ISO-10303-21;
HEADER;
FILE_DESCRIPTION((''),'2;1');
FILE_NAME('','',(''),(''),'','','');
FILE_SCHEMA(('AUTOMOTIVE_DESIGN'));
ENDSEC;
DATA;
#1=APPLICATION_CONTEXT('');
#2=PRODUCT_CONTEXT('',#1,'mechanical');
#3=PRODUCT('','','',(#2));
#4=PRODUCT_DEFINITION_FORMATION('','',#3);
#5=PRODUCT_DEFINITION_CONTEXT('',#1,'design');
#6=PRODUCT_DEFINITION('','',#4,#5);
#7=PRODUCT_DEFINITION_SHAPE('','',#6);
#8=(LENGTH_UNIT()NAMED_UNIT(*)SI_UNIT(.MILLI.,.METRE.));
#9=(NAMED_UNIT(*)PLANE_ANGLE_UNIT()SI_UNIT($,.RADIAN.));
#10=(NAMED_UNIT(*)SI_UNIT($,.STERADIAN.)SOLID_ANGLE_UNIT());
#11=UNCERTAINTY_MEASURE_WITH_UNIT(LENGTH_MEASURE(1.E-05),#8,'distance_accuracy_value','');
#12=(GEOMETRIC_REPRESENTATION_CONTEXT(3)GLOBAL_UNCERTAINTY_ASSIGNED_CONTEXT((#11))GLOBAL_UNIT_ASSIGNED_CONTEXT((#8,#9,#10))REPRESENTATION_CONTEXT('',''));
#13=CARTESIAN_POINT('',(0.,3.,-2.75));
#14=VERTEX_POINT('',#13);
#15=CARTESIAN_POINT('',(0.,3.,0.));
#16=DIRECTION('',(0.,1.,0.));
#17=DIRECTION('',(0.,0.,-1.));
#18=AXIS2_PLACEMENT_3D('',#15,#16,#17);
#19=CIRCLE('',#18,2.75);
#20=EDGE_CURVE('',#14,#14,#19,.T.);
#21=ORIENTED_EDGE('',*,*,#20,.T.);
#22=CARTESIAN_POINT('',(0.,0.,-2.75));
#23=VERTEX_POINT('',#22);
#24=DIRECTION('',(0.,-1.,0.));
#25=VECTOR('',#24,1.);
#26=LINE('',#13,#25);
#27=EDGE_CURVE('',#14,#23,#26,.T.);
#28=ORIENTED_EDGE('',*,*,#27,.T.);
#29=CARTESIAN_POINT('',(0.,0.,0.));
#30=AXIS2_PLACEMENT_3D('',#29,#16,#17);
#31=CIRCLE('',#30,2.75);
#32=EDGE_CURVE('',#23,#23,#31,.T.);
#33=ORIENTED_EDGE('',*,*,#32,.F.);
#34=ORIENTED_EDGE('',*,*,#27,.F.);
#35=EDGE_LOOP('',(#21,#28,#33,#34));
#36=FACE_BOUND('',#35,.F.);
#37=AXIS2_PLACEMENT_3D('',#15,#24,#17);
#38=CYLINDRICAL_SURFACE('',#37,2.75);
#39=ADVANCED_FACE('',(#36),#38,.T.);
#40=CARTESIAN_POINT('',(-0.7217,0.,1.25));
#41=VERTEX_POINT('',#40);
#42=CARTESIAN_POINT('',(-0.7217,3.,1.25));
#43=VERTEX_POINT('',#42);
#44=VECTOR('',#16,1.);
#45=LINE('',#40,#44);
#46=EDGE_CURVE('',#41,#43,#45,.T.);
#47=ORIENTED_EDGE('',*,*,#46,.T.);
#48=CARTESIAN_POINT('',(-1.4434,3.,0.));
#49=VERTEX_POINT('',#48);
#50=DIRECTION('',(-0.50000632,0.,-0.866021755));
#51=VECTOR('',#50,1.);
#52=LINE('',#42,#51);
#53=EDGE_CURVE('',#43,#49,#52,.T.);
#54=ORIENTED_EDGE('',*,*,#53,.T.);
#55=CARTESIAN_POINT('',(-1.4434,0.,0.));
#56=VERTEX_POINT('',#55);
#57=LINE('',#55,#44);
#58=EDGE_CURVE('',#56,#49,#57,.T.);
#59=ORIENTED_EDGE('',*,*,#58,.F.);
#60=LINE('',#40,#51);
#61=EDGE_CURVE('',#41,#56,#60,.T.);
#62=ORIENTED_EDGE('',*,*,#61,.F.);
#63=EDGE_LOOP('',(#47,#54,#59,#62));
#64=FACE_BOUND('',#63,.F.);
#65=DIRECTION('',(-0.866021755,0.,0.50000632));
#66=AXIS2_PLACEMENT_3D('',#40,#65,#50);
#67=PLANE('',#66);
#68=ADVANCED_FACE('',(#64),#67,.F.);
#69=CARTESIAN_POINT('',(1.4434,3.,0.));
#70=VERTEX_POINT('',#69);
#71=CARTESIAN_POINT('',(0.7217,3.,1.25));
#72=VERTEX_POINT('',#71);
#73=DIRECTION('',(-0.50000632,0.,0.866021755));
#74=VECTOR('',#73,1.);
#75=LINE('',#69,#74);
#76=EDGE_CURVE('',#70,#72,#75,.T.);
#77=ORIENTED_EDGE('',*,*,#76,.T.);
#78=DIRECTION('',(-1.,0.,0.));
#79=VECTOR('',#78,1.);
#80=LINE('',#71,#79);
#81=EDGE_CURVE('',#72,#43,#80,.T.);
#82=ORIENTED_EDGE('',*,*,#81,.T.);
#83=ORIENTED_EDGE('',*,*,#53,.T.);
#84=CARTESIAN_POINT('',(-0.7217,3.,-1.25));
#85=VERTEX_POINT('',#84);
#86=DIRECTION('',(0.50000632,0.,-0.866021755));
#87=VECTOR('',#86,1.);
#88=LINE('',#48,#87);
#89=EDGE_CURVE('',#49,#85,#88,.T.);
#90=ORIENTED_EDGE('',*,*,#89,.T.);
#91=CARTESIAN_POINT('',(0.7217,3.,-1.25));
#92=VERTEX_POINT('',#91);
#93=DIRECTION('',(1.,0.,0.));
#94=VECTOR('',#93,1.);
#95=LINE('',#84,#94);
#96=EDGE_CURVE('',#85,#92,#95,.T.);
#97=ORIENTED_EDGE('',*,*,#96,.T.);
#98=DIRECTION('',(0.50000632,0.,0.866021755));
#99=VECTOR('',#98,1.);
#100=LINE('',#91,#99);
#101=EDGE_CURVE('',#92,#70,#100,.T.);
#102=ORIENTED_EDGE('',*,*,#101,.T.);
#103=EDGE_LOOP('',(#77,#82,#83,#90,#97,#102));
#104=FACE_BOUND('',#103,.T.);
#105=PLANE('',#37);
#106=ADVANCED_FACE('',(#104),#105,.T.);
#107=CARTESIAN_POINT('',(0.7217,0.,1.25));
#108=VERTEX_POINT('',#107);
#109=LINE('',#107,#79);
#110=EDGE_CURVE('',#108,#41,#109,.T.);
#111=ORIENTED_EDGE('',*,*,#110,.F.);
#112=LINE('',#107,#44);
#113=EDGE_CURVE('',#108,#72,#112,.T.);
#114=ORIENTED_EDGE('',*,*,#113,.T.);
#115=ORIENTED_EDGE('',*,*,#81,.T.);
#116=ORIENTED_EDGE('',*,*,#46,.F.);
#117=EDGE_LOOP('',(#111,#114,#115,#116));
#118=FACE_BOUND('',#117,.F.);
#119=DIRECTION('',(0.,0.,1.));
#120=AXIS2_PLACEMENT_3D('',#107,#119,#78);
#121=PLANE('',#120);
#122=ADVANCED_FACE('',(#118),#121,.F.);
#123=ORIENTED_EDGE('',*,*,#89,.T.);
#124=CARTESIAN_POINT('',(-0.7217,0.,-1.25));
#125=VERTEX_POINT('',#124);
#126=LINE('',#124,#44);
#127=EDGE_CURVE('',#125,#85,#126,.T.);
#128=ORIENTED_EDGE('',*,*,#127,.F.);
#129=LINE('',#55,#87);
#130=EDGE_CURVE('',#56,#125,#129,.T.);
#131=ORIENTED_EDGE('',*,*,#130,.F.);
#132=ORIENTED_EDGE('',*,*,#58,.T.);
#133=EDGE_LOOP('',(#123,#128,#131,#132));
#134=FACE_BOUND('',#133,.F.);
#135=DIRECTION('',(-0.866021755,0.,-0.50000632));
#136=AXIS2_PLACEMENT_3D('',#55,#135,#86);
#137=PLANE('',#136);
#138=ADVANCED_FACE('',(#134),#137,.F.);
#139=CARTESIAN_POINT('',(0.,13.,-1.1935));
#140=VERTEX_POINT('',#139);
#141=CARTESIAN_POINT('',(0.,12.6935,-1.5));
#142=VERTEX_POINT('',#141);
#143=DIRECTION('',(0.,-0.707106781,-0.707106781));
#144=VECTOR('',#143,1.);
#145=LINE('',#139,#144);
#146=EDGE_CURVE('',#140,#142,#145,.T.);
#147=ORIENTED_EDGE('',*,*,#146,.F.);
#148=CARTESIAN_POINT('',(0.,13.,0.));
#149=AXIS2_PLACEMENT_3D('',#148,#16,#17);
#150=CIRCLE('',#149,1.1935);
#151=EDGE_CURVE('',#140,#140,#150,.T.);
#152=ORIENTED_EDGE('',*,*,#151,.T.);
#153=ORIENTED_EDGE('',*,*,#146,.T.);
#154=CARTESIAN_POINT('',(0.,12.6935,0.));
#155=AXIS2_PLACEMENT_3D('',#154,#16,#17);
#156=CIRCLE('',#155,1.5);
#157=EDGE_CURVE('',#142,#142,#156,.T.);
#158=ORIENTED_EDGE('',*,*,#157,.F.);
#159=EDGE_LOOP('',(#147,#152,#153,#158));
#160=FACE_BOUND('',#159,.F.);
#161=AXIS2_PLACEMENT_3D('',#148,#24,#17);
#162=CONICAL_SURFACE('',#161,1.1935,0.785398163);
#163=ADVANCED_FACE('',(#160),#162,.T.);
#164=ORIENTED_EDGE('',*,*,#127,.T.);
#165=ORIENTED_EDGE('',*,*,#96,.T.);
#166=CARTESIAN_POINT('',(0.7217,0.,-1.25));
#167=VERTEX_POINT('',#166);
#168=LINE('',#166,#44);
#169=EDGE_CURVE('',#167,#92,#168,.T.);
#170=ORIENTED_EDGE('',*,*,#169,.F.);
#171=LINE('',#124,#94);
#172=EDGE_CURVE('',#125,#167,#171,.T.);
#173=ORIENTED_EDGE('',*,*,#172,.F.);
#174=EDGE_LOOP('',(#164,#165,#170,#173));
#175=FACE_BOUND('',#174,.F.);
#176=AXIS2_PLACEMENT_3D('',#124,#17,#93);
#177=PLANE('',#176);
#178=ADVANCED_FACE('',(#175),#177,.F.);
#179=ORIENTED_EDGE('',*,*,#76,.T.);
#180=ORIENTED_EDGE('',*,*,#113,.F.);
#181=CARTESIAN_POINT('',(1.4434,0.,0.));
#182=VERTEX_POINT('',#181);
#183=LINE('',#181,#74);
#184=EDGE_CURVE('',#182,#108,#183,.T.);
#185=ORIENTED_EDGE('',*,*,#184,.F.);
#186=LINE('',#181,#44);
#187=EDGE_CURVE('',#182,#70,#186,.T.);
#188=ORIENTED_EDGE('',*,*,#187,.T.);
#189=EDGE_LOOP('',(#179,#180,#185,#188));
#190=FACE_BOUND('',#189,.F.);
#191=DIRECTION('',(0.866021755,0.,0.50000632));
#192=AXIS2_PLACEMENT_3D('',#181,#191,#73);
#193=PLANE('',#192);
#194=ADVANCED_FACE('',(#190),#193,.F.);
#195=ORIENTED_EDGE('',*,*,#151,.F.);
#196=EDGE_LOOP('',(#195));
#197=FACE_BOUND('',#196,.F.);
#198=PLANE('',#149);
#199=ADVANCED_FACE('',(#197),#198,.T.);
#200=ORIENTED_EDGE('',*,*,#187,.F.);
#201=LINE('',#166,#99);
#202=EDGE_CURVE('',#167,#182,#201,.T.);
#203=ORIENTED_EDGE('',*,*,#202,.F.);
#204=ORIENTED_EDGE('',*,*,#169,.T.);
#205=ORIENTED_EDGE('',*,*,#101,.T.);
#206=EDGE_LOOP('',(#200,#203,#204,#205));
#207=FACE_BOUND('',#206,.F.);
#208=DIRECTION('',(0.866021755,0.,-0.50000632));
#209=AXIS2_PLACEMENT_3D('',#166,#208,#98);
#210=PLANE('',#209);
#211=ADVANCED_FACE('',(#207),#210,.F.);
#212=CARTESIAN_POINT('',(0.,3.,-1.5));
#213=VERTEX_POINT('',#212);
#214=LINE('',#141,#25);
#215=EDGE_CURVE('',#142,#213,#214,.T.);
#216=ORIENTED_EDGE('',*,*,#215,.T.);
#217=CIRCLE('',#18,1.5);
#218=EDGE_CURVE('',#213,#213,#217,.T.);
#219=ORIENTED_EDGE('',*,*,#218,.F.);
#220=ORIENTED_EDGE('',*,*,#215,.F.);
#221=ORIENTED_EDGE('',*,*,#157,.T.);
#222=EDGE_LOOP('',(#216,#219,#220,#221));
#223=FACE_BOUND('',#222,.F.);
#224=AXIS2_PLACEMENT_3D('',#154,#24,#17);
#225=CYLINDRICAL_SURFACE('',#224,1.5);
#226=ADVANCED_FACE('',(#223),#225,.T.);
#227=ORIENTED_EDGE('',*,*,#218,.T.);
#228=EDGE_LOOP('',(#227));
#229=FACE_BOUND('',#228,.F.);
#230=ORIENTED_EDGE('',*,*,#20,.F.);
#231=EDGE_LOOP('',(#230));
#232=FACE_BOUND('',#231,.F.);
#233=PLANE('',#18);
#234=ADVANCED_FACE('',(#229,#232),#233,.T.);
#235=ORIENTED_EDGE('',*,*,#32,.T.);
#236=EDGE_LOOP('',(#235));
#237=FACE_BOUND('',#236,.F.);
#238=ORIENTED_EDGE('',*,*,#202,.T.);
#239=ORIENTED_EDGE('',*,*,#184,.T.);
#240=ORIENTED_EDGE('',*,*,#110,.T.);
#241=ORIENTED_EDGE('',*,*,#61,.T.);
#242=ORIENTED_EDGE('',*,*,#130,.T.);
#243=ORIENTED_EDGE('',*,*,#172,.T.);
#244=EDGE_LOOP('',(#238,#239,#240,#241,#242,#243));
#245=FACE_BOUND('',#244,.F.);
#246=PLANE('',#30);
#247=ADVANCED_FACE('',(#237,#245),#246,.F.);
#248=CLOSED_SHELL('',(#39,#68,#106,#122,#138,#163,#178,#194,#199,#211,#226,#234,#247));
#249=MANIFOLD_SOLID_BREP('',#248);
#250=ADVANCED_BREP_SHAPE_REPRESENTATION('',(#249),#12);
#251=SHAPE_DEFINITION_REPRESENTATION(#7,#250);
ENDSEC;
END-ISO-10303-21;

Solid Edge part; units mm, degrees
sketch "Sketch1" plane through (0, 0, 0) normal (1, 0, 0) x (0, 1, 0)
  line L0 (13, 0) -> (13, -1.1935)
  line L1 (13, -1.1935) -> (12.6935, -1.5)
  line L2 (12.6935, -1.5) -> (3, -1.5)
  line L3 (3, -1.5) -> (3, -2.75)
  line L4 (3, -2.75) -> (0, -2.75)
  line L5 (0, -2.75) -> (0, 0)
  line L6 (0, 0) -> (13, 0)
revolve "RevolvedProtrusion1" add sketch "Sketch1" angle 360 about axis through (0, 0, 0) along (0, 1, 0)
cosmetic_thread "Thread1" size "M3"
sketch "Sketch2" plane through (0, 0, 0) normal (0, -1, 0) x (1, 0, 0)
  line L0 (-0.7217, 1.25) -> (-1.4434, 0)
  line L1 (-1.4434, 0) -> (-0.7217, -1.25)
  line L2 (-0.7217, -1.25) -> (0.7217, -1.25)
  line L3 (0.7217, -1.25) -> (1.4434, 0)
  line L4 (1.4434, 0) -> (0.7217, 1.25)
  line L5 (0.7217, 1.25) -> (-0.7217, 1.25)
extrude "ExtrudedCutout_1" cut sketch "Sketch2" against normal blind 3
properties part number "2192.10.03.010"
